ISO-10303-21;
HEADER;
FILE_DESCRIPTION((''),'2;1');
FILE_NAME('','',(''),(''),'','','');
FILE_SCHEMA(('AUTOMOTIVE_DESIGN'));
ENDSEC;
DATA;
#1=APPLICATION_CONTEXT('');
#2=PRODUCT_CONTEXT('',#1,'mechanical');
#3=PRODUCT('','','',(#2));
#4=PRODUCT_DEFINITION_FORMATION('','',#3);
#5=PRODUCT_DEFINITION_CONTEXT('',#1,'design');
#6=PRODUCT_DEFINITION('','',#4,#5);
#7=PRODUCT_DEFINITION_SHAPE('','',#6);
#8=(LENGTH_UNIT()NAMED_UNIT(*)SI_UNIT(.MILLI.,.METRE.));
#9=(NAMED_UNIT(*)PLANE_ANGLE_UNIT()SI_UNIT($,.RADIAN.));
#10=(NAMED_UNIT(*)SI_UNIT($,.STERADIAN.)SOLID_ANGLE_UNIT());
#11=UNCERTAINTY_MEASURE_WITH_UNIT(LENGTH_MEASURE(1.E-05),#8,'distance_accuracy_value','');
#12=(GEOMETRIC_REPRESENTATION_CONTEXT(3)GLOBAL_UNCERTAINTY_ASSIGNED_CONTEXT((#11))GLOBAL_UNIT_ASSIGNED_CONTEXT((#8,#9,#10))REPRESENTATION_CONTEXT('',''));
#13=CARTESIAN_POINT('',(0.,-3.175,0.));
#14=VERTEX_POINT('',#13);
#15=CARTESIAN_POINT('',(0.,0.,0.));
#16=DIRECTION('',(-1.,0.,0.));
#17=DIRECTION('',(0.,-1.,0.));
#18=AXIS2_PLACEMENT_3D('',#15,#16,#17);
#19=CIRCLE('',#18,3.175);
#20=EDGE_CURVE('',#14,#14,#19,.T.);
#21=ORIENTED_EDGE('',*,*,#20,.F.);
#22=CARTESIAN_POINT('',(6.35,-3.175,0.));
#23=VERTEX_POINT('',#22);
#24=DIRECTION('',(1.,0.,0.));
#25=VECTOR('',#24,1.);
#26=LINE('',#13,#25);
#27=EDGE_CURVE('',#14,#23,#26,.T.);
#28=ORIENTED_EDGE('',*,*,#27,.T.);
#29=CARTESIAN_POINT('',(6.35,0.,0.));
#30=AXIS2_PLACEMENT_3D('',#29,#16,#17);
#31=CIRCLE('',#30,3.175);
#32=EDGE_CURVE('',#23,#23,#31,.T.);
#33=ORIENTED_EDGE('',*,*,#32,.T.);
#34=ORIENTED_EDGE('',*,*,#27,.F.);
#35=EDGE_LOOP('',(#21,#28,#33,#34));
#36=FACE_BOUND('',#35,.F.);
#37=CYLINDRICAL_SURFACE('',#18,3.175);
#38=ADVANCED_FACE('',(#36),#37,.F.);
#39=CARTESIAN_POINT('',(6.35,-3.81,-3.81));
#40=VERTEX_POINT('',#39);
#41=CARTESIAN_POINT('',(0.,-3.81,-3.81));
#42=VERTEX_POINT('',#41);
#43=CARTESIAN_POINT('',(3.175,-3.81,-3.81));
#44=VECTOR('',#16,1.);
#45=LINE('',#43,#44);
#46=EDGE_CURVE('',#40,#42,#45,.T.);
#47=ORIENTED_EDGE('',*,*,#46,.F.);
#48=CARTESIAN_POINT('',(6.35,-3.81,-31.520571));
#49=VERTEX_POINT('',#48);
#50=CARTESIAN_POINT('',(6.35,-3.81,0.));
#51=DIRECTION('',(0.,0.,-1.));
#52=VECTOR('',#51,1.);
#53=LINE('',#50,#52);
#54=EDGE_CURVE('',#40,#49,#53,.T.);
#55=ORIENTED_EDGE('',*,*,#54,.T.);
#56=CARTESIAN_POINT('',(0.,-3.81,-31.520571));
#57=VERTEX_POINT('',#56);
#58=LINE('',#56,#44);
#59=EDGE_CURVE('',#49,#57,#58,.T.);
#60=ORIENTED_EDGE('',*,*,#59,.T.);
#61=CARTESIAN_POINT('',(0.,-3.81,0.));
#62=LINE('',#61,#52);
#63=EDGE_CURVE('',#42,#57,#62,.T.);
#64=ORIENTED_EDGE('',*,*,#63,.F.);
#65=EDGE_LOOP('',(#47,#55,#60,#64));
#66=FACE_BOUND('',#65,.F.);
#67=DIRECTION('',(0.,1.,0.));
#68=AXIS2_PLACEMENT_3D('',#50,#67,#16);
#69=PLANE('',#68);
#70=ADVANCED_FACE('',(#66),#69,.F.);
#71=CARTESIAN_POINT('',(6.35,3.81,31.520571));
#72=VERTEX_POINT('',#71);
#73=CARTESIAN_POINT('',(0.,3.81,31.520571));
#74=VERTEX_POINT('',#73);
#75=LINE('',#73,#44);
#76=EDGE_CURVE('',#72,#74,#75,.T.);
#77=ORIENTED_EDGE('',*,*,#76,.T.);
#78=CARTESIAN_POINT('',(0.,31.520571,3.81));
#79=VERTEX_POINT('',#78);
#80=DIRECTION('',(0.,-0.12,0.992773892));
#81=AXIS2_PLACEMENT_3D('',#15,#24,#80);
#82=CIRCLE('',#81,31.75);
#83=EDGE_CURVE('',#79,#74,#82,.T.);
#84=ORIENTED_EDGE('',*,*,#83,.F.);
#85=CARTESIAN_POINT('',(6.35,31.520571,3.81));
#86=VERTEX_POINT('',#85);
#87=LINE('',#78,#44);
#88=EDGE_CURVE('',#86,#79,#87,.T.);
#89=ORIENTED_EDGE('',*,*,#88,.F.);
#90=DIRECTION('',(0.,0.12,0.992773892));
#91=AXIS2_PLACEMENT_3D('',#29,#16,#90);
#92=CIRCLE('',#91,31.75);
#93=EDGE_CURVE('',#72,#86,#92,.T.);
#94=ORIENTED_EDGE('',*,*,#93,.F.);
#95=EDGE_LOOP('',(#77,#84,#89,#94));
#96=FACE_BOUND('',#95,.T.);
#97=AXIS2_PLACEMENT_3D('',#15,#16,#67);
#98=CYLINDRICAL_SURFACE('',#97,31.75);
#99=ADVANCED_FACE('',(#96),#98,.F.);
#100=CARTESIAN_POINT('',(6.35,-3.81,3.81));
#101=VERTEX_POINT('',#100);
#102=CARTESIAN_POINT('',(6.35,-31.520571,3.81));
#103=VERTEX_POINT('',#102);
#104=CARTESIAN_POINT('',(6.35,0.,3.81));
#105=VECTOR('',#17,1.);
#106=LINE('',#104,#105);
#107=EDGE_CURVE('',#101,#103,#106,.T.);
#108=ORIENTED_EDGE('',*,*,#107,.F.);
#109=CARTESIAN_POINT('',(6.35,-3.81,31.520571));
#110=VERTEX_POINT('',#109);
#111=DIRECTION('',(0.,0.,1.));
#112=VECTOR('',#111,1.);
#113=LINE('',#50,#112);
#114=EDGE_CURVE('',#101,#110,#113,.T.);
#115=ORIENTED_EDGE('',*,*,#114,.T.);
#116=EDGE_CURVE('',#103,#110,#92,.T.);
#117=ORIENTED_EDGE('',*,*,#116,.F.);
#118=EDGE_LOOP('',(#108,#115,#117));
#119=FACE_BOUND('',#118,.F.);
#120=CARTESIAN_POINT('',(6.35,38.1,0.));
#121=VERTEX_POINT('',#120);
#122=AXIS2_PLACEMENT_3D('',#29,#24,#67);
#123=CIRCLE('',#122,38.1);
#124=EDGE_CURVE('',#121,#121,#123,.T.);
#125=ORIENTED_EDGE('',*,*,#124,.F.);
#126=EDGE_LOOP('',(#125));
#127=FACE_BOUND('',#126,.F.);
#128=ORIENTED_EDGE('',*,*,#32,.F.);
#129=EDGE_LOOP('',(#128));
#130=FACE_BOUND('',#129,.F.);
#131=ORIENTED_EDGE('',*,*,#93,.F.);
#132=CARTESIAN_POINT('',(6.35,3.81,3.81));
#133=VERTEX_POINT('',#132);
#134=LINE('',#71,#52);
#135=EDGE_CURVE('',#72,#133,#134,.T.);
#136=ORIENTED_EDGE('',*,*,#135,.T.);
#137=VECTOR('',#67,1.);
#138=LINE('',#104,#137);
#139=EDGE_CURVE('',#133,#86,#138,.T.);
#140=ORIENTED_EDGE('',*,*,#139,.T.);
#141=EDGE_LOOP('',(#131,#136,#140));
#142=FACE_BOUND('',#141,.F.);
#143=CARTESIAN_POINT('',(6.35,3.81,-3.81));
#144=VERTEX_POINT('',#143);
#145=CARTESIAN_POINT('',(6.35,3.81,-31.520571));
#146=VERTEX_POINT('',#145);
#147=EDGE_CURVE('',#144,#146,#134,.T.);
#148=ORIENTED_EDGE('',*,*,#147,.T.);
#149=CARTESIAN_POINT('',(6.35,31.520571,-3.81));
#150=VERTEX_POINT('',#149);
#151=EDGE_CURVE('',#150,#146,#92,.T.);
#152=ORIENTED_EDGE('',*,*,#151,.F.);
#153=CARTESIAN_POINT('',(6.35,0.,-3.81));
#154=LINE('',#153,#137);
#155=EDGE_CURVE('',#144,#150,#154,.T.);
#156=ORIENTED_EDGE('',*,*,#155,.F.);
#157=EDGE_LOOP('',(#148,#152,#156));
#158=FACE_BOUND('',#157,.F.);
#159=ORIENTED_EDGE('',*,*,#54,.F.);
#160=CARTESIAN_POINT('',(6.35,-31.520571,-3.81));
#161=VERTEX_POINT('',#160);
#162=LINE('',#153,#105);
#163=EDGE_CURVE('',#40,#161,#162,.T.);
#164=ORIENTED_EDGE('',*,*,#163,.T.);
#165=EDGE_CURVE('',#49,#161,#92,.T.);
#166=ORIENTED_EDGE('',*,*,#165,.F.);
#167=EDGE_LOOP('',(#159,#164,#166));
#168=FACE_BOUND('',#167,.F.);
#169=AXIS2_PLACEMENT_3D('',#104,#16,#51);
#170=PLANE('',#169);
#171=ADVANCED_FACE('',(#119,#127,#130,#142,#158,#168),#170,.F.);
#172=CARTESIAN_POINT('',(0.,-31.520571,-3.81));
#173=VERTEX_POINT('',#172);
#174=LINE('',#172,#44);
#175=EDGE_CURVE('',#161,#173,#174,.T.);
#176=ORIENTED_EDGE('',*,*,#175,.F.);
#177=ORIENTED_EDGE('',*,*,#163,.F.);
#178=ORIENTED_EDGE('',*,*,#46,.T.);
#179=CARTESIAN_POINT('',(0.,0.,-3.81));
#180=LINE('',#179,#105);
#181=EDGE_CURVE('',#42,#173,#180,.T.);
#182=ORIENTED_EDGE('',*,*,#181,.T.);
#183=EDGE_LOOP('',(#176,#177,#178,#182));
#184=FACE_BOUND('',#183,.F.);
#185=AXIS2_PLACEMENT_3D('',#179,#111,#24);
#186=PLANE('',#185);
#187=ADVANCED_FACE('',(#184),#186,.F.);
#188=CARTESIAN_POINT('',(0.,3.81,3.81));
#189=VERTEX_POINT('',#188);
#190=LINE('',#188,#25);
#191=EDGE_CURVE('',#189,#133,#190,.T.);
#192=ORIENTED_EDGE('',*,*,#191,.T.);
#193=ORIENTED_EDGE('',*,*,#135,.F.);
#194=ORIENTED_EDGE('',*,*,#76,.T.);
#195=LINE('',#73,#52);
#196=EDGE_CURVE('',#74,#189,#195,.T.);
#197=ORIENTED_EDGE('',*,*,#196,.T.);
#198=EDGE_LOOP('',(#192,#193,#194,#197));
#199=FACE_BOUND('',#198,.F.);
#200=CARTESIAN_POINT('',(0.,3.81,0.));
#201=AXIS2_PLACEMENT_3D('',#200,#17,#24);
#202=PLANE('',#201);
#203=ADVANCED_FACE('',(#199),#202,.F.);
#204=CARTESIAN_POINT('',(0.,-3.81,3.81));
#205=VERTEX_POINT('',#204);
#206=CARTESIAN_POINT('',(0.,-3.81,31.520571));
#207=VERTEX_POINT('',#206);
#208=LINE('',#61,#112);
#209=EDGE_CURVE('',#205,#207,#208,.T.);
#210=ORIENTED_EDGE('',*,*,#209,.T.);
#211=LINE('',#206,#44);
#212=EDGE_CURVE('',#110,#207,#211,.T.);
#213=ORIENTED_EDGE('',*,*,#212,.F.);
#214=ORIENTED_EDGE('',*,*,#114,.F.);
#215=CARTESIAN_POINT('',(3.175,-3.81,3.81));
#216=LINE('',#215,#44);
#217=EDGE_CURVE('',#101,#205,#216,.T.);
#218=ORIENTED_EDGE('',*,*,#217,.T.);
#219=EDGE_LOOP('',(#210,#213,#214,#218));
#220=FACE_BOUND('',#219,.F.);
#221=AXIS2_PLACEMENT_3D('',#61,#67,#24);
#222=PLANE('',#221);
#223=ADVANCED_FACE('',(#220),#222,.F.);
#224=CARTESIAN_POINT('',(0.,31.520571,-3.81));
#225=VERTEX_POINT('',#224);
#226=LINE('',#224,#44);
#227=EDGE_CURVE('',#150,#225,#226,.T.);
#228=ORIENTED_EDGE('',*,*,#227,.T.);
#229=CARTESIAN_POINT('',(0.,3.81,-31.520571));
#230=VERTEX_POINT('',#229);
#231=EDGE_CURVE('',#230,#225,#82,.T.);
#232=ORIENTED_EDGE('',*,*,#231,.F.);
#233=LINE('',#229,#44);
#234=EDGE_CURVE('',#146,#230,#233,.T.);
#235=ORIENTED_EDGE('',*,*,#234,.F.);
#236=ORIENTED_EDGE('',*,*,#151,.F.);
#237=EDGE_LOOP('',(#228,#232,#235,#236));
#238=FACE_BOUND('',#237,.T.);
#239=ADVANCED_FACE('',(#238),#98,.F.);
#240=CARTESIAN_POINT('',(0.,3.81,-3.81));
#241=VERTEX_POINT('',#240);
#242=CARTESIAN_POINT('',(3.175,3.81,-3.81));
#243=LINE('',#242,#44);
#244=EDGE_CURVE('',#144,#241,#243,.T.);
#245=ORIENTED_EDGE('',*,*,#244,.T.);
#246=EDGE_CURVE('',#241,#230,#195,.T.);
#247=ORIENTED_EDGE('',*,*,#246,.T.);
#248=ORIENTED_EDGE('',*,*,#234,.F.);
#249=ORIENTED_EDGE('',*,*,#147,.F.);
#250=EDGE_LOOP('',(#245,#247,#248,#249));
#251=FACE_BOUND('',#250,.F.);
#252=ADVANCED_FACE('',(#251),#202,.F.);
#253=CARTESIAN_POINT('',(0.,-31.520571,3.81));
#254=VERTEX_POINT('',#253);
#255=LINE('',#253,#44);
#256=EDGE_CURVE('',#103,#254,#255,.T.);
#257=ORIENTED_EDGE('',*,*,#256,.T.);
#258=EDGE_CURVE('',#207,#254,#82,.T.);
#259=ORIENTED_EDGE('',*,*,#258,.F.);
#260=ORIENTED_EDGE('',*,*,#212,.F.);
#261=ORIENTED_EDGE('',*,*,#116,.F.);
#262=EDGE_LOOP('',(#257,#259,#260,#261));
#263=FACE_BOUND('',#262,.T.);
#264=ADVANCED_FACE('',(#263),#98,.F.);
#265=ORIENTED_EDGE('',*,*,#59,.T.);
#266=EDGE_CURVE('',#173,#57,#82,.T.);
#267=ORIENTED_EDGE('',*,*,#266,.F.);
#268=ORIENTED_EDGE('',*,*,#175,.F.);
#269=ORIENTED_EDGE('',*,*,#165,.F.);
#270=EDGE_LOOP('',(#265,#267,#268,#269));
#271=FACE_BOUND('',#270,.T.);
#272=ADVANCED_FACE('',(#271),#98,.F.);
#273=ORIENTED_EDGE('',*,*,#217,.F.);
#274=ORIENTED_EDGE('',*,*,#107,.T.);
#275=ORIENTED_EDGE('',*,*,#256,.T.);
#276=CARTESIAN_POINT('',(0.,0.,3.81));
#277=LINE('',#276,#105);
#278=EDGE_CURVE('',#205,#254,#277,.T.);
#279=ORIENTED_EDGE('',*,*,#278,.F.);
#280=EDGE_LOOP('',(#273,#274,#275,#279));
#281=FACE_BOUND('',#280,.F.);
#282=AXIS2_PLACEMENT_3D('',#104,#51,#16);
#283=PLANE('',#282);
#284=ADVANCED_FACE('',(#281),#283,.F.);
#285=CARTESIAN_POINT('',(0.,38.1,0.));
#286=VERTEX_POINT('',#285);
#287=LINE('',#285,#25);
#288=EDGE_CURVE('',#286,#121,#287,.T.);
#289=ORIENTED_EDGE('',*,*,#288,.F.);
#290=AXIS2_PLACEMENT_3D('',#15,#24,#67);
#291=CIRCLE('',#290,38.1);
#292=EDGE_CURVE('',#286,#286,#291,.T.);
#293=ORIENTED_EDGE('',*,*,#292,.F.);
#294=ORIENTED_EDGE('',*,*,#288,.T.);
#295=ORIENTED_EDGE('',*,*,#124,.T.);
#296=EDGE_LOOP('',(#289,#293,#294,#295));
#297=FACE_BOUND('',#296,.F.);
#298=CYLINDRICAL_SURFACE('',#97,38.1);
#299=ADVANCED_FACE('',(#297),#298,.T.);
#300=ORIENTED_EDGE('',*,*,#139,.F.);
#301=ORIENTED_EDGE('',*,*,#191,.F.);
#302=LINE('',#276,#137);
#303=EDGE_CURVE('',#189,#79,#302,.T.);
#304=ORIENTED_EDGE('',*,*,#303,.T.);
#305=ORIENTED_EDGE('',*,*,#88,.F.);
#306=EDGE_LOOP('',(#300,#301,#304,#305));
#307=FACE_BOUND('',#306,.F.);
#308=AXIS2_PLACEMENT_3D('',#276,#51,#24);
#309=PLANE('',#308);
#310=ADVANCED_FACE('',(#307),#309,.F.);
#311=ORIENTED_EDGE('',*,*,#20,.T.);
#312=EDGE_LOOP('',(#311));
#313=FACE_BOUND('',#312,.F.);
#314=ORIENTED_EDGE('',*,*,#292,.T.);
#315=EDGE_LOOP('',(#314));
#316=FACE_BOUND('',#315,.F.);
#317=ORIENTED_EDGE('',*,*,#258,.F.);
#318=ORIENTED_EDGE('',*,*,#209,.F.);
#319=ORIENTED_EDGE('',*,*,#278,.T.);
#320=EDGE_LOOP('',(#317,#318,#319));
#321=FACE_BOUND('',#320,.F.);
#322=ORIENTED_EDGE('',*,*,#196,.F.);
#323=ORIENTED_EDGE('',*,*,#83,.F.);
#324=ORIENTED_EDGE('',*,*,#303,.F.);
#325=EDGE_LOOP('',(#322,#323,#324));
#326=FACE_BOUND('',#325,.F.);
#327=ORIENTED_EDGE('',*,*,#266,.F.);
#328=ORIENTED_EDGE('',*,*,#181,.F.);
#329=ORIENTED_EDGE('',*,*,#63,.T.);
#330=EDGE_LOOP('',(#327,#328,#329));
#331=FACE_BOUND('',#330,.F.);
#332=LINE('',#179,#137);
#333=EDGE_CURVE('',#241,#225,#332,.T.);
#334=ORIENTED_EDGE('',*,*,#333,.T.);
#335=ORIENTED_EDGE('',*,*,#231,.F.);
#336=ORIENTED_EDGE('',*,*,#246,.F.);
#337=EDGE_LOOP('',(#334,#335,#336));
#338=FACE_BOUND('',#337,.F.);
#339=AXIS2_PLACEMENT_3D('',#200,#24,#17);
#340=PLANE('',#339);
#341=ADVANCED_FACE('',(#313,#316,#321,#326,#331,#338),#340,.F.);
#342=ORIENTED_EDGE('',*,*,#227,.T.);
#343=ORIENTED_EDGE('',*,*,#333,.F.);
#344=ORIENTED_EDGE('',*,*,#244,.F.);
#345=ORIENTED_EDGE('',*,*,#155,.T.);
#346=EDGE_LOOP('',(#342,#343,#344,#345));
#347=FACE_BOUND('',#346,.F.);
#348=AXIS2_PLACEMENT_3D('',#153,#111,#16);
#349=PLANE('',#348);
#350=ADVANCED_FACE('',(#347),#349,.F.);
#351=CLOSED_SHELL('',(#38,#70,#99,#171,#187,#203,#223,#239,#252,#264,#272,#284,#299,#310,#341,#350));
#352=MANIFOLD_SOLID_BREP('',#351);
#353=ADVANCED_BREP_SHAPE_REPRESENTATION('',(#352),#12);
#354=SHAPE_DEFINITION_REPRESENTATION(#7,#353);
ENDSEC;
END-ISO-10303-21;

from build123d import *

# Parameters (mm, degrees)
F0_R     = 38.1
F0_R_2   = 31.75
F1_DEPTH = 6.35
F3_DEPTH = 33.02
F4_COUNT = 4
F4_ANGLE = 270
F5_R     = 3.175
F6_DEPTH = 25.4


with BuildPart() as f1:
    # F0 (on Right) → F1 (new body)
    with BuildSketch(Plane.YZ):
        Circle(F0_R)
        Circle(F0_R_2, mode=Mode.SUBTRACT)
    extrude(amount=F1_DEPTH)



with BuildPart() as f3:
    # F2 (on Top) → F3 (new body)
    with BuildSketch(Plane.XY):
        Polygon((0, 3.81), (0, 0), (0, -3.81), (6.35, -3.81), (6.35, 3.81), align=None)
    extrude(amount=F3_DEPTH)


with BuildPart() as f1_1:
    add(f1.part)

    add(f3.part)  # F4 merges F3
    # F4: F3 ×4 about axis
    f4_axis = Axis((6.35, 0, 0), (1, 0, 0))
    for i in range(1, F4_COUNT):
        add(f3.part.rotate(f4_axis, i * F4_ANGLE / (F4_COUNT - 1)))

    # F5 (on face) → F6 (cut)
    with BuildSketch(Plane(origin=(0, 0, 0), x_dir=(0, -1, 0), z_dir=(-1, 0, 0))):
        Circle(F5_R)
    extrude(amount=-F6_DEPTH, mode=Mode.SUBTRACT)


solid = f1_1.part
